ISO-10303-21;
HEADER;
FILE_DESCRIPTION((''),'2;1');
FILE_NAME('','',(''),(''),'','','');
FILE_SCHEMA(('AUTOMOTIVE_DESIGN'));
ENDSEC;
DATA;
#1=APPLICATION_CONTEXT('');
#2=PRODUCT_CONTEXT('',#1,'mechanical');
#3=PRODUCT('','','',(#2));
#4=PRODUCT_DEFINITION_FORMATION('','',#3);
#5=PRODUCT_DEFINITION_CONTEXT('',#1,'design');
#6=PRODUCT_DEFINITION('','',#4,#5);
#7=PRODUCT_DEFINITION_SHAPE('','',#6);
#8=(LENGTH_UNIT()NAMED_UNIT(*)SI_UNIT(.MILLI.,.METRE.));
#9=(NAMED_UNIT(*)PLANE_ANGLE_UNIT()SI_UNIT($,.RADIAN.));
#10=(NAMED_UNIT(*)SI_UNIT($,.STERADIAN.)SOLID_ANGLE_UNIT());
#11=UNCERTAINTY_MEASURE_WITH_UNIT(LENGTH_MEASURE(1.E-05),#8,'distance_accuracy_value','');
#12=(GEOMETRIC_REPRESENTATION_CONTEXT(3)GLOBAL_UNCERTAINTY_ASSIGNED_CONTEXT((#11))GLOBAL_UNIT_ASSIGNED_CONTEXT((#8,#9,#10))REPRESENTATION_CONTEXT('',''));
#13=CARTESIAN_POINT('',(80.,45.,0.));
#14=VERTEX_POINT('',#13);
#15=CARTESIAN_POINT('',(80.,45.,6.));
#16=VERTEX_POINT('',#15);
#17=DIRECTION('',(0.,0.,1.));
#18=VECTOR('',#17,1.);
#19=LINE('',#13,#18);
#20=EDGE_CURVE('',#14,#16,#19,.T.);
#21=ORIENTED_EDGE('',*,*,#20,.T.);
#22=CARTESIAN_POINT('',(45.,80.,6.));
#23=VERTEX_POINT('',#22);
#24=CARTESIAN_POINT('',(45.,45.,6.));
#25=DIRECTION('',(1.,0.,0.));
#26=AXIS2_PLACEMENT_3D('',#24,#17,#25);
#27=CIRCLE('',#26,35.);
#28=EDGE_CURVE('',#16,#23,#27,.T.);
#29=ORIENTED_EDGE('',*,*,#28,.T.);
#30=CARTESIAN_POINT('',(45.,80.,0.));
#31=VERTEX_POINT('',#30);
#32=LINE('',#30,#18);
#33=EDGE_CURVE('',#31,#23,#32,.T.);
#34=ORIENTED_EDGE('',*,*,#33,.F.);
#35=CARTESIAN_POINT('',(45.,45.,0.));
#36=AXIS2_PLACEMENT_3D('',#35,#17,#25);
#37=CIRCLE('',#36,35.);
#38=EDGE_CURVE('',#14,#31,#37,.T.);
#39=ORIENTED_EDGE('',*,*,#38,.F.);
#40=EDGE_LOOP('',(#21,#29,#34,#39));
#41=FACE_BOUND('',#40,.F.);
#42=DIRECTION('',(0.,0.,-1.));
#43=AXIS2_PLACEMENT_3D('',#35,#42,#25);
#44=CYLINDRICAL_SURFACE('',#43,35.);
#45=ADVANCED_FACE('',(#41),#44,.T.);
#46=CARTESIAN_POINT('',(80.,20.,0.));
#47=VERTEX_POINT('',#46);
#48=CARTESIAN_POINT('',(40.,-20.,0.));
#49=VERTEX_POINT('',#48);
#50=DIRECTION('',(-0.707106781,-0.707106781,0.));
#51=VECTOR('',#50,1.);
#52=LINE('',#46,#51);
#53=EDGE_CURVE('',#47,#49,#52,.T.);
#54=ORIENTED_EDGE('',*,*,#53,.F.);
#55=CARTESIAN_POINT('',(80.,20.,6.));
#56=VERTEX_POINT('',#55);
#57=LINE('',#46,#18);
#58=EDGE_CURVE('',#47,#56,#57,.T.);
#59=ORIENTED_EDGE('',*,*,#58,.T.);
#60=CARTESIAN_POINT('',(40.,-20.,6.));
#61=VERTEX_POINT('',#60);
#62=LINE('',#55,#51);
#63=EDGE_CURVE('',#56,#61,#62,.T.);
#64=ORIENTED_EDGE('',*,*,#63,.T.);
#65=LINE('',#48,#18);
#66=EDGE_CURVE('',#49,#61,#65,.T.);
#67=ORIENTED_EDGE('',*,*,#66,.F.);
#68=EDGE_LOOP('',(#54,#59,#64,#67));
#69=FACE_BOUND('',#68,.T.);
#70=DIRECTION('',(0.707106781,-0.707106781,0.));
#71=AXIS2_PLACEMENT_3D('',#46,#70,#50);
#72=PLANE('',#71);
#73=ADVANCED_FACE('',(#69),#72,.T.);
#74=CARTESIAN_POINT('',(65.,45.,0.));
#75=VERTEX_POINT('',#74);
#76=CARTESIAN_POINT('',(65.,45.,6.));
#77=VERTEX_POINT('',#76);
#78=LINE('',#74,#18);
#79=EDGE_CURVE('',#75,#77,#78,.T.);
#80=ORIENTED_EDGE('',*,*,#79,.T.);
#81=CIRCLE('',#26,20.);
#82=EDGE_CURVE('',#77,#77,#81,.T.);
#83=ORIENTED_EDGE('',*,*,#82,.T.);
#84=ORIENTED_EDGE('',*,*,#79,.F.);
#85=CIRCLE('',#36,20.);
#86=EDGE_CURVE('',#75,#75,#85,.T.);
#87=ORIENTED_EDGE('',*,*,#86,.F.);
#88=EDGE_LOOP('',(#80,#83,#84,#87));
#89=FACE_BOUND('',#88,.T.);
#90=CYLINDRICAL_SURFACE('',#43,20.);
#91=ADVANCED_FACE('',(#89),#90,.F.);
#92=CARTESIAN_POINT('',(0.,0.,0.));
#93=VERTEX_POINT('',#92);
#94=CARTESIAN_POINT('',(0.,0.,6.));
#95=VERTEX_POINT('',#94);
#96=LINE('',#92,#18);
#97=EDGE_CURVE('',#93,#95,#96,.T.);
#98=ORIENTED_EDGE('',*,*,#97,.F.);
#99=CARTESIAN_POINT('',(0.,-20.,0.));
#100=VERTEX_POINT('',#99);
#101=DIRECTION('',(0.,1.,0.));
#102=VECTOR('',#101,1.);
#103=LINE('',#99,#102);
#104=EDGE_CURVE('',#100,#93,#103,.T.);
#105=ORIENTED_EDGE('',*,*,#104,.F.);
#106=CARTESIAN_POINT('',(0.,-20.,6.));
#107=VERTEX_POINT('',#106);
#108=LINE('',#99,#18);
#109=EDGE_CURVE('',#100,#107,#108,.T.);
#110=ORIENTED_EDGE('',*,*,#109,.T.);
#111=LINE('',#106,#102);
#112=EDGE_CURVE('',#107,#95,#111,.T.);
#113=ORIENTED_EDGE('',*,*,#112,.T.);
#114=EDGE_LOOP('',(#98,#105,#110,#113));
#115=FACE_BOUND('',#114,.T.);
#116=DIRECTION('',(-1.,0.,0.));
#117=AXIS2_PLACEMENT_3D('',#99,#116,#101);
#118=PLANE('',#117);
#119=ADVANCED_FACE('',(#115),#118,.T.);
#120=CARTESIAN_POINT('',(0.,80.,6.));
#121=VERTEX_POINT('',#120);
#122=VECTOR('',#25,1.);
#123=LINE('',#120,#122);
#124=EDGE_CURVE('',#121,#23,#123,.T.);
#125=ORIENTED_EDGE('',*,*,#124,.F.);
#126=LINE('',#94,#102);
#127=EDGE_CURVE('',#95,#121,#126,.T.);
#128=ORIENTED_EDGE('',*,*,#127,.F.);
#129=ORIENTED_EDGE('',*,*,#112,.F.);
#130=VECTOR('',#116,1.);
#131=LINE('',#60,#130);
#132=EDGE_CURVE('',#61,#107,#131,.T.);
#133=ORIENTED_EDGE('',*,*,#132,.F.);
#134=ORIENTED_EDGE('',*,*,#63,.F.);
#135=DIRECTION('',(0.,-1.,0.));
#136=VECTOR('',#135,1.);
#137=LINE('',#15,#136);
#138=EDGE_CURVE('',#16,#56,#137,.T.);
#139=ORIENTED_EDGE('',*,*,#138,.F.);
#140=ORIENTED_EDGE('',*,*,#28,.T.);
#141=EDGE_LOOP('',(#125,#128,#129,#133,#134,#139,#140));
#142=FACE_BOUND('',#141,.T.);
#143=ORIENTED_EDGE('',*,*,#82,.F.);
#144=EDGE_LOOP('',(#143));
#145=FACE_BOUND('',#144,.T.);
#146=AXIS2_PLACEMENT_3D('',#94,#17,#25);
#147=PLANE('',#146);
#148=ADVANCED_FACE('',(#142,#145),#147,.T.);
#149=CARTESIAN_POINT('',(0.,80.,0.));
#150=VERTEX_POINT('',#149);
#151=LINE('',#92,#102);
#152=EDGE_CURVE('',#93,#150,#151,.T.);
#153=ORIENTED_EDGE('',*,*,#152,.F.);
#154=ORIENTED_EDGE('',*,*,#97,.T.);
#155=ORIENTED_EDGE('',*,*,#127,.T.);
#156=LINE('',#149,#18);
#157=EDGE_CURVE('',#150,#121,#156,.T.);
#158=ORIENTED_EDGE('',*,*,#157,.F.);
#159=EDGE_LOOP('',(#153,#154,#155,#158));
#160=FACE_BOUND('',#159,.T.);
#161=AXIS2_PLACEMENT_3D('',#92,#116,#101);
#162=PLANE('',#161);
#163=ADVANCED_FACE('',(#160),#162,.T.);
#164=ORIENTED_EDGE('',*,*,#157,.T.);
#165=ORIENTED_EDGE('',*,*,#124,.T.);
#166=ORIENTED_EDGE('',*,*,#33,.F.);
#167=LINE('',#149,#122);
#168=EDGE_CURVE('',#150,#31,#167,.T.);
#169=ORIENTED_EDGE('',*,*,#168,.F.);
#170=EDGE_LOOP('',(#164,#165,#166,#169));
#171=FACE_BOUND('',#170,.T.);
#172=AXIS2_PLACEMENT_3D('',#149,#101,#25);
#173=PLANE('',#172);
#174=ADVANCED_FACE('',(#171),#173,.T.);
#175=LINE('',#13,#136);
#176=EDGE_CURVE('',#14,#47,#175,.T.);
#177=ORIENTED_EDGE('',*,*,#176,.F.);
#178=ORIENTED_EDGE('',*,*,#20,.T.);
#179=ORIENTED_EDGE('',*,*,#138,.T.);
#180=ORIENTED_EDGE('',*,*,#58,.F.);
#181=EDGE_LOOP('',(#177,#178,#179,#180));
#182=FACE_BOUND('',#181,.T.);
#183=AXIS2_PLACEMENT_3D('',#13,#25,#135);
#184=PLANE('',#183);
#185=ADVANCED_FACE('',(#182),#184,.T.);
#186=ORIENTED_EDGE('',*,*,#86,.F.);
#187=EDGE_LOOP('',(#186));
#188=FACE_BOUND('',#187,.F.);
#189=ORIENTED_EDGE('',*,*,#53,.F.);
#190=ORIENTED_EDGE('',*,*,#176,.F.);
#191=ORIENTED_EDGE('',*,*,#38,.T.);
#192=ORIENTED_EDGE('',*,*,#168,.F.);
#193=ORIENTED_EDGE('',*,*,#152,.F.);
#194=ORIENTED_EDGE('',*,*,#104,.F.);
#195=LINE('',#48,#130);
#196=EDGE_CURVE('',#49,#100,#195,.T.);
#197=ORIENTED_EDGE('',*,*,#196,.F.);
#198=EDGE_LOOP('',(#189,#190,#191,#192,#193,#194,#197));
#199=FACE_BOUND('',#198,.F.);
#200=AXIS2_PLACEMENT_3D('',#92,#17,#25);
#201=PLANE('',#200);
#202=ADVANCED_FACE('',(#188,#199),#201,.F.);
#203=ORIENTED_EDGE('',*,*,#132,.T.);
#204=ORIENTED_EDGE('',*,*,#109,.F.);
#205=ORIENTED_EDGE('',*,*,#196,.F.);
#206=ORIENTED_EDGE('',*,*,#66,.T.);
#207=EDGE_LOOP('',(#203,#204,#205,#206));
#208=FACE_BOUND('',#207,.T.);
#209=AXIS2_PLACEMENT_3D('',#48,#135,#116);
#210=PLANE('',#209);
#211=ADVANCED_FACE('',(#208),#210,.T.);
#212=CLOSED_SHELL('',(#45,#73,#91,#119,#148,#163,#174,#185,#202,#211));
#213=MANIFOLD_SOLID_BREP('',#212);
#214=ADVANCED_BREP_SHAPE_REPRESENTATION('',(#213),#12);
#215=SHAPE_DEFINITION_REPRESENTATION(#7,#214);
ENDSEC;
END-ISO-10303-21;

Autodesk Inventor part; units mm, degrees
ref_plane "YZ Plane" through (0, 0, 0) normal (1, 0, 0) x (0, 1, 0)
ref_plane "XZ Plane" through (0, 0, 0) normal (0, 1, 0) x (-1, 0, 0)
ref_plane "XY Plane" through (0, 0, 0) normal (0, 0, 1) x (1, 0, 0)
sketch "Sketch6" plane through (0, 0, 0) normal (0, 0, 1) x (1, 0, 0)
  line L0 (0, 0) -> (0, 80)
  line L1 (0, 80) -> (45, 80)
  arc A0 (80, 45) -> (45, 80) centre (45, 45) ccw
  line L2 (80, 45) -> (80, 20)
  line L3 (80, 20) -> (40, -20)
  line L4 (40, -20) -> (0, -20)
  line L5 (0, -20) -> (0, 0)
  circle A1 centre (45, 45) radius 20
  dimension "d41" = 80
  dimension "d42" = 15
  dimension "d43" = 40
  dimension "d44" = 35
  dimension "d45" = 45
  dimension "d47" = 20
  dimension "d48" = 135
  dimension "d49" = 40
extrude "Plate3" add sketch "Sketch6" along normal blind 6
equation "\"d46\" = Thickness"
equation "\"BendReliefWidth\" = Thickness"
equation "\"BendReliefDepth\" = 0.5 * Thickness"
equation "\"CornerReliefSize\" = 4 * Thickness"
equation "\"MinimumRemnant\" = 2 * Thickness"
equation "\"TransitionRadius\" = BendRadius"
equation "\"JacobiRadiusSize\" = BendRadius"
equation "\"GapSize\" = Thickness"
equation "\"Thickness\" = 6"
equation "\"BendRadius\" = 5"
properties part number "GnG frame 4.1 D-ring" material "Stainless Steel"
